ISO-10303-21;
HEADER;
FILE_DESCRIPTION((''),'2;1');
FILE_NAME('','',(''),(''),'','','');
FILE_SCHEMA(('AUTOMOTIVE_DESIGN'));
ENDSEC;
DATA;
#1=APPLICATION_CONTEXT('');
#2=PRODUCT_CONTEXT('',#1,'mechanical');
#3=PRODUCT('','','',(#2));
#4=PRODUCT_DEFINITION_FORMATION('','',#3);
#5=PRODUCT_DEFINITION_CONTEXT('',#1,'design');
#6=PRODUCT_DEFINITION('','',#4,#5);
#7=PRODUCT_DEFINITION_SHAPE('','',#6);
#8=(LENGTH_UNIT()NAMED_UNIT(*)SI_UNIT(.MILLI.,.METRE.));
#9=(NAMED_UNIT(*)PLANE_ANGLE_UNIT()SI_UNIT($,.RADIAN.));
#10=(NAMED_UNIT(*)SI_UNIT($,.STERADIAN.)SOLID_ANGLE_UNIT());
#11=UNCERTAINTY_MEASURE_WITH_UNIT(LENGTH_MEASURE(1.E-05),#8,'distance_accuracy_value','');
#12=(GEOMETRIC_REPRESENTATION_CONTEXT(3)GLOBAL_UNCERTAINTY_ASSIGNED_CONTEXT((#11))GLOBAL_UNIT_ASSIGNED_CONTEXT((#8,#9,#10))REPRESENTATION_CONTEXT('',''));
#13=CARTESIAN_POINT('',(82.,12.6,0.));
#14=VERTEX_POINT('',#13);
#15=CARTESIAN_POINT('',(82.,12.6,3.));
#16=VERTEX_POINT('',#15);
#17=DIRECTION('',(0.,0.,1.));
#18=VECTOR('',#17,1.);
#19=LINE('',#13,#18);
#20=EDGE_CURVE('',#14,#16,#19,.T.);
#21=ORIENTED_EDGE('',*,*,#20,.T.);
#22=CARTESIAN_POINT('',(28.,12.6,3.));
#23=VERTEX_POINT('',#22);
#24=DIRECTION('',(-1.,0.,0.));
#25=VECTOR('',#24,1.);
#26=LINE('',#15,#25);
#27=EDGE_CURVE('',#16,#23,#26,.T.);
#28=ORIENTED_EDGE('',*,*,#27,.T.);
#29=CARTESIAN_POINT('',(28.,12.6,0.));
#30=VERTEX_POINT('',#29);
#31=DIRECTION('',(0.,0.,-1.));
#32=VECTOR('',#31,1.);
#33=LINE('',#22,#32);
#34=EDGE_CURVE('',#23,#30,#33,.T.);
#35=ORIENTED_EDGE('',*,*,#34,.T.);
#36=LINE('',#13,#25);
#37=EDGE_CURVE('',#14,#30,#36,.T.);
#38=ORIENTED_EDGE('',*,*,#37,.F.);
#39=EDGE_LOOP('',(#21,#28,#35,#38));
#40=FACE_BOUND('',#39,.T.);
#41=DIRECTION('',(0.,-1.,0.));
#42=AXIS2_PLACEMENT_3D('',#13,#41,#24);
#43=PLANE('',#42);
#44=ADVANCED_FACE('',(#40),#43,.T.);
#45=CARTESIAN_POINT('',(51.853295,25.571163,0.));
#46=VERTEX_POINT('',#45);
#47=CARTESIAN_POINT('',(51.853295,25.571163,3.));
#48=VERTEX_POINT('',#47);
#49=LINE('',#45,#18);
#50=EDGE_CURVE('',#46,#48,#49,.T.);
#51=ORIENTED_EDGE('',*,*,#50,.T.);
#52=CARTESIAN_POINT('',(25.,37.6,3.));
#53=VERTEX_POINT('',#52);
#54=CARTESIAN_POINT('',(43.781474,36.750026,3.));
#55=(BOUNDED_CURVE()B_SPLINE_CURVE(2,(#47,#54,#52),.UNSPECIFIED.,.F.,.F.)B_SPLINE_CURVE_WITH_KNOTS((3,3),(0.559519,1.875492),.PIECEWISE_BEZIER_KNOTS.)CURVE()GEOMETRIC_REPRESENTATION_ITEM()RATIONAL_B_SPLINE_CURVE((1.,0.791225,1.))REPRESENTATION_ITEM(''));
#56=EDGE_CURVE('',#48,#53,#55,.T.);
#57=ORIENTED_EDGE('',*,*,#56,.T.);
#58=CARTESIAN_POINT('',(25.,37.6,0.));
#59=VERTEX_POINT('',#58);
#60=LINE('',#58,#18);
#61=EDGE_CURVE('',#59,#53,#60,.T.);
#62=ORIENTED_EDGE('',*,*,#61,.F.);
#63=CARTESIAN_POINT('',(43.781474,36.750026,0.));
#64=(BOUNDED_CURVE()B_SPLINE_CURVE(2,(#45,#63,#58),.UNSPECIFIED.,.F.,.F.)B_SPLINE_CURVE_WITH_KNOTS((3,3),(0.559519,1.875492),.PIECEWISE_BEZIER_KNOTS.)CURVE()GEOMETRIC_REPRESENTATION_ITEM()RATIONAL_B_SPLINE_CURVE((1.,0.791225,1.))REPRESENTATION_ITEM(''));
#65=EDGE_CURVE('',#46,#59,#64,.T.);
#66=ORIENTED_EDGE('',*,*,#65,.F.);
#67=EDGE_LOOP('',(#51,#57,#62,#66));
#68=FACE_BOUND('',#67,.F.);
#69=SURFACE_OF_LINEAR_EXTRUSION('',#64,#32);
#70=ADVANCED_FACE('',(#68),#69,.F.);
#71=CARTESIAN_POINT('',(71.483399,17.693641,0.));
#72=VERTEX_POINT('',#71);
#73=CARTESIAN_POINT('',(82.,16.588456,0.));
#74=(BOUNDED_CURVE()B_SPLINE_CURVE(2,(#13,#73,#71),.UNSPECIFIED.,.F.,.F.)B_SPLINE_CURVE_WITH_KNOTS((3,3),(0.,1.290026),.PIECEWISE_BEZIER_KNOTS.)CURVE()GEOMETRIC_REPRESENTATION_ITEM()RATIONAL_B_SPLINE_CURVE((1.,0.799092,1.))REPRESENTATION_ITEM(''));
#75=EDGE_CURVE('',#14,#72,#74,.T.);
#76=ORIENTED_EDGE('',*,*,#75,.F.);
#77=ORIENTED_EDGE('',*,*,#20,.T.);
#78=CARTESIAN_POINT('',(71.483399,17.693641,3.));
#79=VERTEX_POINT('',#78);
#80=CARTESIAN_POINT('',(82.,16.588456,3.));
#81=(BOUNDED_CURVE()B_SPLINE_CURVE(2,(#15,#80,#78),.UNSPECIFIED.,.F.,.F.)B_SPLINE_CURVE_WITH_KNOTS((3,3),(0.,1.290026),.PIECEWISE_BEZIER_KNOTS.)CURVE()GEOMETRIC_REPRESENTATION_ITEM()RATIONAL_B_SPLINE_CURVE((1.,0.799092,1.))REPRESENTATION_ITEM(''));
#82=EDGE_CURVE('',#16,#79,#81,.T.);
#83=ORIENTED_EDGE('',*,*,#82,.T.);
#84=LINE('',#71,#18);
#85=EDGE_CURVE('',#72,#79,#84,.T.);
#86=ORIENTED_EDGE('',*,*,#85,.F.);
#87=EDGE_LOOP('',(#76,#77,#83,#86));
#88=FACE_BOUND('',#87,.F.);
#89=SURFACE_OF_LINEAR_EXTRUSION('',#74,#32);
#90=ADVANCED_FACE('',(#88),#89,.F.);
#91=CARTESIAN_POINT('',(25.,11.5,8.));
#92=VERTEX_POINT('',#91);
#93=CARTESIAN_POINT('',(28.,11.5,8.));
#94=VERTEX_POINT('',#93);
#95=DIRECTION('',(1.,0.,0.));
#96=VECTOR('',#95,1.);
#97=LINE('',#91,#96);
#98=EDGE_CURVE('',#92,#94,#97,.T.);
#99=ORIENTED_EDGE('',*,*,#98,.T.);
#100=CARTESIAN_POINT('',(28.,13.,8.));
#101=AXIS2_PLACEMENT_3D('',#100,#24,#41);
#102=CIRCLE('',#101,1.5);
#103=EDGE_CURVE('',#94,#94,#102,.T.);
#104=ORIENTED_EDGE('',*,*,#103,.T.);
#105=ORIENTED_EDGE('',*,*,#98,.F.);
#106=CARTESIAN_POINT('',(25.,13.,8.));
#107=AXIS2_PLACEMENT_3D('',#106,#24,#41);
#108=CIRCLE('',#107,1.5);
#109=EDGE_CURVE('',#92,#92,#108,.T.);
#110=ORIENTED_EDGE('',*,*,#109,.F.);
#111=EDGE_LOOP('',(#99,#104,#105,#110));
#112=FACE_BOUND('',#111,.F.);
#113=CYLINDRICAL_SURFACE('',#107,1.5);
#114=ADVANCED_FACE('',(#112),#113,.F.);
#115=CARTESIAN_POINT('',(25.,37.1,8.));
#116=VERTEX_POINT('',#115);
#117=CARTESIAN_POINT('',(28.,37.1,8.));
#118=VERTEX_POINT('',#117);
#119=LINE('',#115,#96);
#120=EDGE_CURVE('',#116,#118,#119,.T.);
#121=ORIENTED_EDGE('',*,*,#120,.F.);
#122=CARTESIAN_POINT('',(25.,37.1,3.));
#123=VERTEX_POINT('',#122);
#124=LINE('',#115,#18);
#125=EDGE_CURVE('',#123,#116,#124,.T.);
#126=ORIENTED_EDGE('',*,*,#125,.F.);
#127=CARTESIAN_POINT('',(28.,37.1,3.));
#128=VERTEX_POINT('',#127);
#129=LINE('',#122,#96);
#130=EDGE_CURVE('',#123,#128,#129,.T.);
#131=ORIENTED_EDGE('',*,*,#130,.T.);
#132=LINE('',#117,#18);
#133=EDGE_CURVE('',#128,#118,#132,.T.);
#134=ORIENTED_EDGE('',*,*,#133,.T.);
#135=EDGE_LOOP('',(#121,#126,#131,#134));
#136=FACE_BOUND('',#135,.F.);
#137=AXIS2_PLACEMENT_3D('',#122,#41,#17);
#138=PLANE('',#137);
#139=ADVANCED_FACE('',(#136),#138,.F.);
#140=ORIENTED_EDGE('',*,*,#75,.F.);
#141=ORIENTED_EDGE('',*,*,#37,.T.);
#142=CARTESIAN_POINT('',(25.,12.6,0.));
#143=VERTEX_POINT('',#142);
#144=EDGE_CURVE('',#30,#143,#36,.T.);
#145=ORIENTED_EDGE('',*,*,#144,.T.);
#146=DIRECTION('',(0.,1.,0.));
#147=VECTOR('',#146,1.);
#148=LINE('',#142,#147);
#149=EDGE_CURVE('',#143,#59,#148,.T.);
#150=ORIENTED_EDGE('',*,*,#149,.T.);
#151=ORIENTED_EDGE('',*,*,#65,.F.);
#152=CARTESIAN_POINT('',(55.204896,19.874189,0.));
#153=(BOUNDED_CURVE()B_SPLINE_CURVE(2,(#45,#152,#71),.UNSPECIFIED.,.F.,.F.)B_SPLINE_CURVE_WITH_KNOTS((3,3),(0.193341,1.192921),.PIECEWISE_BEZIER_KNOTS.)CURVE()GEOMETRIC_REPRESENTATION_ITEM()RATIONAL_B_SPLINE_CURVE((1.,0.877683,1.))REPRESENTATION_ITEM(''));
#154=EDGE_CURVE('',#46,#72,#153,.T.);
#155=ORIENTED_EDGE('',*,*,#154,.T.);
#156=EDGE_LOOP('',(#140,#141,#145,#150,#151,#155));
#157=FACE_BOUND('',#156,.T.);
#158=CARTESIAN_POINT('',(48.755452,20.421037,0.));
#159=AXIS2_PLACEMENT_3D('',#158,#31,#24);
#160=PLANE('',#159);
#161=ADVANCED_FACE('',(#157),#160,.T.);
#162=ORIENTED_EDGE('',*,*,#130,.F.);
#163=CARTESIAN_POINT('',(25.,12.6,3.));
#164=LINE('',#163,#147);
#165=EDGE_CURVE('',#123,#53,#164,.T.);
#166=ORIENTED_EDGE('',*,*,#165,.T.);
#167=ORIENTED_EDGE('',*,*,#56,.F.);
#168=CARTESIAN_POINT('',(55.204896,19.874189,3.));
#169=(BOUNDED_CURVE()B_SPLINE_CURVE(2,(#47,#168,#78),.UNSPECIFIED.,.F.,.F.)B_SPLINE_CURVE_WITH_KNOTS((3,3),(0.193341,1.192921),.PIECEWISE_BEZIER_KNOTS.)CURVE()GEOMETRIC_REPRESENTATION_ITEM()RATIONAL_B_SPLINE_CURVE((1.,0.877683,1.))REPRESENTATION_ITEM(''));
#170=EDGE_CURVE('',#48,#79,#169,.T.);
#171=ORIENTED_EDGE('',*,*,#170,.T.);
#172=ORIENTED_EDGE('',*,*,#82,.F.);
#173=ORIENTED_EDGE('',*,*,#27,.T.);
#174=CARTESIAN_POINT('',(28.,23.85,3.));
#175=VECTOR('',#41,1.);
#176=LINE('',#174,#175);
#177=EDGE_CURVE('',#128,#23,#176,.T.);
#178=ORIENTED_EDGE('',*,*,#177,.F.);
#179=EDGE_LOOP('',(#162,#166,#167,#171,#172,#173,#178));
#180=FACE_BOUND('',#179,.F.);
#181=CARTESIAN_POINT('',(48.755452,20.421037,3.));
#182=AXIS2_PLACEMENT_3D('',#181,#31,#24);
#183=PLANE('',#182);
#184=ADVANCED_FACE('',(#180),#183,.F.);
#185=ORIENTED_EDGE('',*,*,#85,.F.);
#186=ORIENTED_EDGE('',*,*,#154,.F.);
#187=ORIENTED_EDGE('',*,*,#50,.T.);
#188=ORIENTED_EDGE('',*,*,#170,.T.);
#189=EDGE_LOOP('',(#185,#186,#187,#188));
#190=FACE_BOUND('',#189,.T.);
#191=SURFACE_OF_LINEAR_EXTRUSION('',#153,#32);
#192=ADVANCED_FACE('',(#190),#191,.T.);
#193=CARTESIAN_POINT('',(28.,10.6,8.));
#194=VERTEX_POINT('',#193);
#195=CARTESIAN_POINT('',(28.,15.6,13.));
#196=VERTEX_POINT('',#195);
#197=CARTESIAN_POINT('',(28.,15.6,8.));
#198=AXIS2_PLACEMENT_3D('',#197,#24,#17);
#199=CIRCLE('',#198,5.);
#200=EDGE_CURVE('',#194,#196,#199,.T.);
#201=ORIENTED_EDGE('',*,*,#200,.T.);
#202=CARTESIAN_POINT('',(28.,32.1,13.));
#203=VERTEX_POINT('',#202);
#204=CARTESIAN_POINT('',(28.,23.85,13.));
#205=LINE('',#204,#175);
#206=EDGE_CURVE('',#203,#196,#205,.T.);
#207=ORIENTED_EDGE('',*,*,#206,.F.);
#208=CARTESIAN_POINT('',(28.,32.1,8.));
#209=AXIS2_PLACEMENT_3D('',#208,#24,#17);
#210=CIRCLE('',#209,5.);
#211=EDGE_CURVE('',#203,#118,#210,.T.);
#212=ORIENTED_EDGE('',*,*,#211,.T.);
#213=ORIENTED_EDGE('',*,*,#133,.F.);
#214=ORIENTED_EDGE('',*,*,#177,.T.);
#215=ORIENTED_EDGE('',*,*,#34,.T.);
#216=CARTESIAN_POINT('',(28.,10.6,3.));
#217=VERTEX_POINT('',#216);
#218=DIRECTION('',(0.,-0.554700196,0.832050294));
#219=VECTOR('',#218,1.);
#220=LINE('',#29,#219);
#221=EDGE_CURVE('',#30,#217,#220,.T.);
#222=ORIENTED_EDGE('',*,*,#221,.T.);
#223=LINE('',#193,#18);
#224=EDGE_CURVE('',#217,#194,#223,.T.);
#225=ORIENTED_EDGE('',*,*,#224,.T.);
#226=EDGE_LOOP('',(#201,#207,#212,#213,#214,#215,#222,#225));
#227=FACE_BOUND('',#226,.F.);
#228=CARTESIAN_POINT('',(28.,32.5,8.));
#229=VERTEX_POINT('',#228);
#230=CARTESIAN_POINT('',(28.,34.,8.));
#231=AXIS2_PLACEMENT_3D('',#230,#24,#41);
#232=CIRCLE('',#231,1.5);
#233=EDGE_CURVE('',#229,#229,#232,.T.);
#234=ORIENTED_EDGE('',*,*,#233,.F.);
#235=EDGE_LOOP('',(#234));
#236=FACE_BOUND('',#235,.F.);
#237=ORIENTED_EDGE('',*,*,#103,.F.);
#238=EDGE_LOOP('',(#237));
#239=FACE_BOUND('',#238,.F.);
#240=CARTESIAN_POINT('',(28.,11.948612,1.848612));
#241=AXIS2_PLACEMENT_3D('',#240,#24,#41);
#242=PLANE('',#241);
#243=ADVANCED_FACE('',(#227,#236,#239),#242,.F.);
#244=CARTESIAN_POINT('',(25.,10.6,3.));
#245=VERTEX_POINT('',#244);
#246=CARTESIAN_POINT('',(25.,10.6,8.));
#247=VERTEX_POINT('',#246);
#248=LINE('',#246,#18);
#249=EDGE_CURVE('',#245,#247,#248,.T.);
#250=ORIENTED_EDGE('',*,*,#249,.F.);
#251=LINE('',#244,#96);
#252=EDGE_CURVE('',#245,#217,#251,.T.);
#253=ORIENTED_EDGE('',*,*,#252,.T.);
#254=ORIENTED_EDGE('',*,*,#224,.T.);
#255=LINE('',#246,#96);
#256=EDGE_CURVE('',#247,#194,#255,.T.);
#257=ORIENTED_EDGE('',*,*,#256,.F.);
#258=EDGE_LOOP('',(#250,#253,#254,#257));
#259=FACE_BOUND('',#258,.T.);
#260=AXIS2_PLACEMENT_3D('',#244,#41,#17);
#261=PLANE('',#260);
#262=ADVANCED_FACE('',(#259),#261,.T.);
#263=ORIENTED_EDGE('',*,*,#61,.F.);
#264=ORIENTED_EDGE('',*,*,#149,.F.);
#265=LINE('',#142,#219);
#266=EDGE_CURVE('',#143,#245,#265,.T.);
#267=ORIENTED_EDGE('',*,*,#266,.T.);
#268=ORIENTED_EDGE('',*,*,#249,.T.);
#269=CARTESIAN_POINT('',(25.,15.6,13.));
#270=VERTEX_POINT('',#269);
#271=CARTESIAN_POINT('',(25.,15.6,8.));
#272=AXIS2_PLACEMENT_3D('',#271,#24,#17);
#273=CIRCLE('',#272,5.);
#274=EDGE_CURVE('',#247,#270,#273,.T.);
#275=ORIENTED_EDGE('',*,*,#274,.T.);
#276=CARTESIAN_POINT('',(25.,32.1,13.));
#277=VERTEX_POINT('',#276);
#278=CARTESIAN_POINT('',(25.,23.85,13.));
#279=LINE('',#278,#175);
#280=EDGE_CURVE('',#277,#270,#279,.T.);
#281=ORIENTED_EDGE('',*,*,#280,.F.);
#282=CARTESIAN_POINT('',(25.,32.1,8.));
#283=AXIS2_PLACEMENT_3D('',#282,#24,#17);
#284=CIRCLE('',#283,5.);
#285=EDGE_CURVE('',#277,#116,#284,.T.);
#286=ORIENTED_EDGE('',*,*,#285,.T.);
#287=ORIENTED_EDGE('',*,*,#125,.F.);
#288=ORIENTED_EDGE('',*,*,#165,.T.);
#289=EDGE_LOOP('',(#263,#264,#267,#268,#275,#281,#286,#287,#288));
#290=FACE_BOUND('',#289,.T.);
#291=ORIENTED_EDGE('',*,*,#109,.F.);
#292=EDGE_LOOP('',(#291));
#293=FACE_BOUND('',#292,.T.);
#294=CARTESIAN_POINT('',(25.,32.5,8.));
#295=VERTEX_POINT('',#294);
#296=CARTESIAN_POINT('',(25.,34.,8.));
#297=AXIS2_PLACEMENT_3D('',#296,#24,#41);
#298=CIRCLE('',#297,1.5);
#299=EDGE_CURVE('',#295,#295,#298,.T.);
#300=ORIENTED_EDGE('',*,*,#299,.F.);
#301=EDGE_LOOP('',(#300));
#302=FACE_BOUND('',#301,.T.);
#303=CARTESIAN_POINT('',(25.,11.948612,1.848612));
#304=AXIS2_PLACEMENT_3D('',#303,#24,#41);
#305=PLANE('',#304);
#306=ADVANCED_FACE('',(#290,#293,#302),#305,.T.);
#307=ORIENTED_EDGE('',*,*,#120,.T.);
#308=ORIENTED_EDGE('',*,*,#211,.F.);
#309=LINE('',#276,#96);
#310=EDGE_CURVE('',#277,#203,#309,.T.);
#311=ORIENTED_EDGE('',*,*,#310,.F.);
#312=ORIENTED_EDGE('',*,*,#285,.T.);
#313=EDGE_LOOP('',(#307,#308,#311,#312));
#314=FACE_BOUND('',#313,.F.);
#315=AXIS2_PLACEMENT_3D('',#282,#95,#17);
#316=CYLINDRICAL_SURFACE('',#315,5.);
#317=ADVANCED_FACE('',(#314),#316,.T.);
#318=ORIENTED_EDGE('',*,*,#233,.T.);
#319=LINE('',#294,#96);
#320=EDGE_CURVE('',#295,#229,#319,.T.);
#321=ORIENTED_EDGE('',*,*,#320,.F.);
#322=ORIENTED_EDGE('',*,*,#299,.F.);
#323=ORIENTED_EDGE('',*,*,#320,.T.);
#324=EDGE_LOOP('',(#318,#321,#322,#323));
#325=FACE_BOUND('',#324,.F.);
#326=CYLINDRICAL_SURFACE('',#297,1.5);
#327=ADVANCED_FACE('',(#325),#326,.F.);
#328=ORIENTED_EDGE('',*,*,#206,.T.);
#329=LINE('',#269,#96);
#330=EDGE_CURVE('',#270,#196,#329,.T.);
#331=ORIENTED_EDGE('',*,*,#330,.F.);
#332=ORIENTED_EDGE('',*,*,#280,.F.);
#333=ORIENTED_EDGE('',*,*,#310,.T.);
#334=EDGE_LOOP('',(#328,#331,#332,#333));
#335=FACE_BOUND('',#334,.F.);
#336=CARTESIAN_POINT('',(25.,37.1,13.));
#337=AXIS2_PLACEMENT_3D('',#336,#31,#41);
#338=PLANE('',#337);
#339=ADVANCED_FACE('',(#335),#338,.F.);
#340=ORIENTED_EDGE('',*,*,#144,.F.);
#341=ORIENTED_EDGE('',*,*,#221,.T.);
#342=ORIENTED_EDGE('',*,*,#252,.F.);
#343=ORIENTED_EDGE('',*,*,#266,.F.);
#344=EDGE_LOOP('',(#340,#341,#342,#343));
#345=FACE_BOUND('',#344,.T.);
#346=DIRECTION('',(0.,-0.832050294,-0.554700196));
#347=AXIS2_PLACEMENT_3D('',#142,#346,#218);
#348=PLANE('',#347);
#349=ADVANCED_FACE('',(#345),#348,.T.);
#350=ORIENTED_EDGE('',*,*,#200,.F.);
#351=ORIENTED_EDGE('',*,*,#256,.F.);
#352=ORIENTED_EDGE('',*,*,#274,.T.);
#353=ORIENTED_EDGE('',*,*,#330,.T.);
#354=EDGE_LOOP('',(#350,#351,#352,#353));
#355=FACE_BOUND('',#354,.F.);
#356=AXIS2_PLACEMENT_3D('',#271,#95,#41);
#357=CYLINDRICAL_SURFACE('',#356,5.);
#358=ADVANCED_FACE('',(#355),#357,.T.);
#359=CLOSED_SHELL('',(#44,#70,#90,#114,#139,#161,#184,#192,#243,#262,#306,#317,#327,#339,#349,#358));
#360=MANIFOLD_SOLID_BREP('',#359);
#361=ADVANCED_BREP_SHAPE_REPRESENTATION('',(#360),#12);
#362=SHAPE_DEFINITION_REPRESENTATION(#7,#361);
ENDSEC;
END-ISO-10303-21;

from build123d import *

# Parameters (mm, degrees)
PAD_DEPTH    = 3
SKETCH001_W  = 26.5
SKETCH001_H  = 10
PAD001_DEPTH = 3
SKETCH002_R  = 1.5
POCKET_DEPTH = 57.001
PAD002_DEPTH = 3
FILLET_R     = 5


with BuildPart() as part:
    # Sketch → Pad (new body)
    with BuildSketch(Plane.XY):
        with BuildLine():
            add(Edge.make_bspline(
                [(51.853295, 25.571163), (55.204896, 19.874189), (71.483399, 17.693641)],
                knots=[0.193341, 0.193341, 0.193341, 1.192921, 1.192921, 1.192921], degree=2, weights=[1, 0.877683, 1]))
            add(Edge.make_bspline(
                [(82, 12.6), (82, 16.588456), (71.483399, 17.693641)],
                knots=[0, 0, 0, 1.290026, 1.290026, 1.290026], degree=2, weights=[1, 0.799092, 1]))
            Line((82, 12.6), (25, 12.6))
            Line((25, 12.6), (25, 37.6))
            add(Edge.make_bspline(
                [(51.853295, 25.571163), (43.781474, 36.750026), (25, 37.6)],
                knots=[0.559519, 0.559519, 0.559519, 1.875492, 1.875492, 1.875492], degree=2, weights=[1, 0.791225, 1]))
        make_face()
    extrude(amount=PAD_DEPTH)

    # Sketch001 (on Face4 of Pad) → Pad001 (join)
    with BuildSketch(Plane(origin=(25, 0, 0), x_dir=(0, -1, 0), z_dir=(-1, 0, 0))):
        with Locations((-23.85, 8)):
            Rectangle(SKETCH001_W, SKETCH001_H)
    extrude(amount=-PAD001_DEPTH)

    # Sketch002 (on Face10 of Pad001) → Pocket (cut, through all)
    with BuildSketch(Plane(origin=(25, 0, 0), x_dir=(0, -1, 0), z_dir=(-1, 0, 0))):
        with Locations((-34, 8)):
            Circle(SKETCH002_R)
        with Locations((-13, 8)):
            Circle(SKETCH002_R)
    extrude(amount=-POCKET_DEPTH, mode=Mode.SUBTRACT)

    # Sketch003 (on Face6 of Pocket) → Pad002 (join)
    with BuildSketch(Plane(origin=(25, 0, 0), x_dir=(0, -1, 0), z_dir=(-1, 0, 0))):
        Polygon((-12.6, 0), (-10.6, 3), (-12.6, 3), align=None)
    extrude(amount=-PAD002_DEPTH)

    # Fillet
    fillet_edges = [part.edges().sort_by_distance(p)[0] for p in [
        (26.5, 10.6, 13),
        (26.5, 37.1, 13),
    ]]
    fillet(fillet_edges, radius=FILLET_R)


solid = part.part
